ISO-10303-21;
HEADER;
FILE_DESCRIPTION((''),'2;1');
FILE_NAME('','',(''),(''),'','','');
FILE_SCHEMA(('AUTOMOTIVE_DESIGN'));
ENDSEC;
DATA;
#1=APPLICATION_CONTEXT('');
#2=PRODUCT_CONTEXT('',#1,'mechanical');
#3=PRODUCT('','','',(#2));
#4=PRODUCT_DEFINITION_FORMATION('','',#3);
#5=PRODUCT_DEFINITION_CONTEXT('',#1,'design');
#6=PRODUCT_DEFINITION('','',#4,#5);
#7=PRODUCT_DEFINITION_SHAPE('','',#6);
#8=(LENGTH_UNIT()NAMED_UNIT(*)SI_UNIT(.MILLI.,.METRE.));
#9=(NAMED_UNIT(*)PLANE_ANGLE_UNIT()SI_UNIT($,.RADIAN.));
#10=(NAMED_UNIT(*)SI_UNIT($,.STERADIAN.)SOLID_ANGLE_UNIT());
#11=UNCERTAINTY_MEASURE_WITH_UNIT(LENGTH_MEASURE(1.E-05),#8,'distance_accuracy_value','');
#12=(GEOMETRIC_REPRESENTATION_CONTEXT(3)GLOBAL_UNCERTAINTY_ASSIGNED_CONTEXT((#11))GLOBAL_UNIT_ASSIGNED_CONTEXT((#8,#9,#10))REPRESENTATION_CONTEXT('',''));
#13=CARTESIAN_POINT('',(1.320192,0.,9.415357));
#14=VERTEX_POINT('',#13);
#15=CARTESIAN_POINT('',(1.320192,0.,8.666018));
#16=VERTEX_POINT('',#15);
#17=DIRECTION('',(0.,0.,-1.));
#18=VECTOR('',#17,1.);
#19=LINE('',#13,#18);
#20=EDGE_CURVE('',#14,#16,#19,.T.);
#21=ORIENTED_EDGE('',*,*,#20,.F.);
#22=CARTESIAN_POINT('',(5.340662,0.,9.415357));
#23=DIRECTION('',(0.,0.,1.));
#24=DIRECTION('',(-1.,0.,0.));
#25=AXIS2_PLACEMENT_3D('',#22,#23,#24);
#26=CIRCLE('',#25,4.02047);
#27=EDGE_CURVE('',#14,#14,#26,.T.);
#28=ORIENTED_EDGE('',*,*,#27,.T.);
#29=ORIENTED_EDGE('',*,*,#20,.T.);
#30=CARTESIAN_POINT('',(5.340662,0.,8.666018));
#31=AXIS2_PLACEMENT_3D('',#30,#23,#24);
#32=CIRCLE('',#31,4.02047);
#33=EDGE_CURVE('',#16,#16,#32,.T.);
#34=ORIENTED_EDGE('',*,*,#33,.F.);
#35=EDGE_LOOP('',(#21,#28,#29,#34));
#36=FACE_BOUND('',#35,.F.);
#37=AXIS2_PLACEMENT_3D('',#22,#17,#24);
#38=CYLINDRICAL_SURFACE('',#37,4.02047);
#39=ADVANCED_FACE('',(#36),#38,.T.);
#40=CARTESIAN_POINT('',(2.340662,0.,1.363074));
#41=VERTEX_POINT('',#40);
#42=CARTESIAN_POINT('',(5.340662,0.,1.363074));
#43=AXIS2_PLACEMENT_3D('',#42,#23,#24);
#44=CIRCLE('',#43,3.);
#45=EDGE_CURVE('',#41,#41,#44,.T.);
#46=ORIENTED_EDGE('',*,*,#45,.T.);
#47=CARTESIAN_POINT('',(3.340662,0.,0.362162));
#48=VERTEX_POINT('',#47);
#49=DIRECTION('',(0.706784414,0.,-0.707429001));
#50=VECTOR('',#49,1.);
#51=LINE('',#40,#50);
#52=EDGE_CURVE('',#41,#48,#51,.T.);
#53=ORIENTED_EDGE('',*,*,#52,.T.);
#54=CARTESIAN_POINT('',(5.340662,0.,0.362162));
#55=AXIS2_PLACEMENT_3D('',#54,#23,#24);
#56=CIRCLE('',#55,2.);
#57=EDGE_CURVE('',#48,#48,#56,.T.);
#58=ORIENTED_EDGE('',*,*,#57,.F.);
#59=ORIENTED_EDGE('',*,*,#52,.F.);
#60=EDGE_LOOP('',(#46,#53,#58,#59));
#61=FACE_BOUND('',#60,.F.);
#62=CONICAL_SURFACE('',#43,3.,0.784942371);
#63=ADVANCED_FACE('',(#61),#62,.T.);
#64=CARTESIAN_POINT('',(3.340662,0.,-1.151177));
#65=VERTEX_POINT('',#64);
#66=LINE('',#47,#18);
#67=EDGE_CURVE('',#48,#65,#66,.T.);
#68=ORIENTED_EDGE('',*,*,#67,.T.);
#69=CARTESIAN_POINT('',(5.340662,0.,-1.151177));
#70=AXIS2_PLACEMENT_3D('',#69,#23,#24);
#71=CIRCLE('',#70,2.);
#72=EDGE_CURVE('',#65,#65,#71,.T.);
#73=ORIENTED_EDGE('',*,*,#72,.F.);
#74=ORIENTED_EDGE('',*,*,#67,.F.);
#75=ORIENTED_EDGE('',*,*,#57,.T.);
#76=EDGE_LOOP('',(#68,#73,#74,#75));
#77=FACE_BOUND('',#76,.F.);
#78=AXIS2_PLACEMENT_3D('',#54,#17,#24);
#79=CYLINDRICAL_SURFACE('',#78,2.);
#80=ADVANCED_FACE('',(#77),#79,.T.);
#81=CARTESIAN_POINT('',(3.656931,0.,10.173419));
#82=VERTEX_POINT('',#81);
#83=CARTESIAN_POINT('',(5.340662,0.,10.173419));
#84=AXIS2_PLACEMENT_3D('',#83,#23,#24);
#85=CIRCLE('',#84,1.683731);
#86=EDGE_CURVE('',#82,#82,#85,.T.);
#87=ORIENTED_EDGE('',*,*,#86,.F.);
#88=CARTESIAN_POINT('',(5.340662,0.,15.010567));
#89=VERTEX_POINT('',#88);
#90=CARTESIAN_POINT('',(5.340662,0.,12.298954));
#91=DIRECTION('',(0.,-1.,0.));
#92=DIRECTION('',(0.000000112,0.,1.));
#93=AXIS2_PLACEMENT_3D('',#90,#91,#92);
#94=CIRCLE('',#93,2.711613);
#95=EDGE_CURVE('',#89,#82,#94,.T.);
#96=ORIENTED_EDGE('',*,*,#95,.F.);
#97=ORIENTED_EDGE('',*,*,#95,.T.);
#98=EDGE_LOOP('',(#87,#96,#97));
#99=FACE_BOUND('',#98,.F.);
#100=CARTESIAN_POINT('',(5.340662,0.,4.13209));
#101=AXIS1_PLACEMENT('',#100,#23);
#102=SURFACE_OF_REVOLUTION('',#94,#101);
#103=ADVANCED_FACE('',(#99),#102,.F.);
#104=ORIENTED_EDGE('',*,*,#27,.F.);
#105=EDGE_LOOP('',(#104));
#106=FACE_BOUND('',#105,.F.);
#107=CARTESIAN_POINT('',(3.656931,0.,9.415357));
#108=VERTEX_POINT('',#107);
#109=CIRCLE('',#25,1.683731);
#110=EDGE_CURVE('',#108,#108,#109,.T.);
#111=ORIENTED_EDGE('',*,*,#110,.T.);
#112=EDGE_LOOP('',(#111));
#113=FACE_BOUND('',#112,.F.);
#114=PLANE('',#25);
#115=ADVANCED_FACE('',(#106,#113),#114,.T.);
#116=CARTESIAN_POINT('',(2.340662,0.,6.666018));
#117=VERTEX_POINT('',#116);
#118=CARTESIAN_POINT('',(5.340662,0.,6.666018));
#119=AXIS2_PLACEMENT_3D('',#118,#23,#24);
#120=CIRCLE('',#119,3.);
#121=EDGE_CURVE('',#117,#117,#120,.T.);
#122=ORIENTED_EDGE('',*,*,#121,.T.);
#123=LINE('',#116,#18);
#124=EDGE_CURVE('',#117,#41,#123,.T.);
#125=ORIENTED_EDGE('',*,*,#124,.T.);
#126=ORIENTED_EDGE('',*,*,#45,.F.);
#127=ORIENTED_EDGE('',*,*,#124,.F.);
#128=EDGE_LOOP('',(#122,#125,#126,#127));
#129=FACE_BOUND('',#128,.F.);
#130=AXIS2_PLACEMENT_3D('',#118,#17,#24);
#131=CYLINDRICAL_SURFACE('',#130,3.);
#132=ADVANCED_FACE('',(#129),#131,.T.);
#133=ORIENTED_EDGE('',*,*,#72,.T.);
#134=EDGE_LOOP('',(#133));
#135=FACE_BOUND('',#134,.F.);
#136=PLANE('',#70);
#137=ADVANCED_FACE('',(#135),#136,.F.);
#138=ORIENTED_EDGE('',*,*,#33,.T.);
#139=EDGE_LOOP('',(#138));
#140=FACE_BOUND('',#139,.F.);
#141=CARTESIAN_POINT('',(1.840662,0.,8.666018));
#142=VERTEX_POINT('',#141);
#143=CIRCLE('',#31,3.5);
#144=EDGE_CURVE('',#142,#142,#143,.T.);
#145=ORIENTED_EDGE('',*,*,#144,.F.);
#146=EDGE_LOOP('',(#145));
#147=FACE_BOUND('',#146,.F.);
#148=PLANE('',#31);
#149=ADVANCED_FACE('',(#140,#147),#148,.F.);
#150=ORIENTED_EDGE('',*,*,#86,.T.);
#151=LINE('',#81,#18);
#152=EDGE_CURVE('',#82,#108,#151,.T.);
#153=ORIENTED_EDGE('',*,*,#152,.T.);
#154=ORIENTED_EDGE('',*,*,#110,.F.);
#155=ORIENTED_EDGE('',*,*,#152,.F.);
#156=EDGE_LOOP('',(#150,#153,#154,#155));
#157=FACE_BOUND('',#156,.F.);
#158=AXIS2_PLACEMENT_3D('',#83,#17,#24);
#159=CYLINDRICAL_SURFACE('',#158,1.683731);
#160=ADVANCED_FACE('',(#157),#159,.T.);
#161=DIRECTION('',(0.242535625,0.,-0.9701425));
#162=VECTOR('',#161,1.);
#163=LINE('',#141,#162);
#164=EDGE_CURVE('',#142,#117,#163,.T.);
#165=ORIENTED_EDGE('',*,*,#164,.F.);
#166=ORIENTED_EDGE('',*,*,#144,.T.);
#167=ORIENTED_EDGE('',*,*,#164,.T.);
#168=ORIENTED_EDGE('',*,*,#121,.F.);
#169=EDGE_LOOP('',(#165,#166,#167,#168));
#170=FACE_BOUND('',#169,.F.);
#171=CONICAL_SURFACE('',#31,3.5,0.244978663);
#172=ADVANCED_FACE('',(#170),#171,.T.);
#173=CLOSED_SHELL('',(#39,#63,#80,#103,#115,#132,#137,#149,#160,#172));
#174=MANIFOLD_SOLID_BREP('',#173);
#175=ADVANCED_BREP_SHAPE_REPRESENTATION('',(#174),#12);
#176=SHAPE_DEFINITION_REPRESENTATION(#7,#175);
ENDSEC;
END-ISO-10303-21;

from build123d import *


with BuildPart() as f1:
    # F0 (on Front) → F1 (revolve)
    with BuildSketch(Plane.XZ):
        with BuildLine():
            Line((1.320192, 9.415357), (1.320192, 8.666018))
            Line((1.320192, 8.666018), (1.840662, 8.666018))
            Line((1.840662, 8.666018), (2.340662, 6.666018))
            Line((2.340662, 6.666018), (2.340662, 1.363074))
            Line((2.340662, 1.363074), (3.340662, 0.362162))
            Line((3.340662, 0.362162), (3.340662, -1.151177))
            Line((3.340662, -1.151177), (5.340662, -1.151177))
            Line((5.340662, -1.151177), (5.340662, 9.415357))
            Line((5.340662, 9.415357), (5.340662, 10.261006))
            Line((5.340662, 10.261006), (5.340662, 13.182231))
            Line((5.340662, 13.182231), (5.340662, 15.010567))
            ThreePointArc((5.340662, 15.010567), (2.779756, 13.190362), (3.656931, 10.173419))
            Line((3.656931, 10.173419), (3.656931, 9.415357))
            Line((3.656931, 9.415357), (1.320192, 9.415357))
        make_face()
    revolve(axis=Axis((5.340662, 0, 4.13209), (0, 0, 1)))


solid = f1.part
